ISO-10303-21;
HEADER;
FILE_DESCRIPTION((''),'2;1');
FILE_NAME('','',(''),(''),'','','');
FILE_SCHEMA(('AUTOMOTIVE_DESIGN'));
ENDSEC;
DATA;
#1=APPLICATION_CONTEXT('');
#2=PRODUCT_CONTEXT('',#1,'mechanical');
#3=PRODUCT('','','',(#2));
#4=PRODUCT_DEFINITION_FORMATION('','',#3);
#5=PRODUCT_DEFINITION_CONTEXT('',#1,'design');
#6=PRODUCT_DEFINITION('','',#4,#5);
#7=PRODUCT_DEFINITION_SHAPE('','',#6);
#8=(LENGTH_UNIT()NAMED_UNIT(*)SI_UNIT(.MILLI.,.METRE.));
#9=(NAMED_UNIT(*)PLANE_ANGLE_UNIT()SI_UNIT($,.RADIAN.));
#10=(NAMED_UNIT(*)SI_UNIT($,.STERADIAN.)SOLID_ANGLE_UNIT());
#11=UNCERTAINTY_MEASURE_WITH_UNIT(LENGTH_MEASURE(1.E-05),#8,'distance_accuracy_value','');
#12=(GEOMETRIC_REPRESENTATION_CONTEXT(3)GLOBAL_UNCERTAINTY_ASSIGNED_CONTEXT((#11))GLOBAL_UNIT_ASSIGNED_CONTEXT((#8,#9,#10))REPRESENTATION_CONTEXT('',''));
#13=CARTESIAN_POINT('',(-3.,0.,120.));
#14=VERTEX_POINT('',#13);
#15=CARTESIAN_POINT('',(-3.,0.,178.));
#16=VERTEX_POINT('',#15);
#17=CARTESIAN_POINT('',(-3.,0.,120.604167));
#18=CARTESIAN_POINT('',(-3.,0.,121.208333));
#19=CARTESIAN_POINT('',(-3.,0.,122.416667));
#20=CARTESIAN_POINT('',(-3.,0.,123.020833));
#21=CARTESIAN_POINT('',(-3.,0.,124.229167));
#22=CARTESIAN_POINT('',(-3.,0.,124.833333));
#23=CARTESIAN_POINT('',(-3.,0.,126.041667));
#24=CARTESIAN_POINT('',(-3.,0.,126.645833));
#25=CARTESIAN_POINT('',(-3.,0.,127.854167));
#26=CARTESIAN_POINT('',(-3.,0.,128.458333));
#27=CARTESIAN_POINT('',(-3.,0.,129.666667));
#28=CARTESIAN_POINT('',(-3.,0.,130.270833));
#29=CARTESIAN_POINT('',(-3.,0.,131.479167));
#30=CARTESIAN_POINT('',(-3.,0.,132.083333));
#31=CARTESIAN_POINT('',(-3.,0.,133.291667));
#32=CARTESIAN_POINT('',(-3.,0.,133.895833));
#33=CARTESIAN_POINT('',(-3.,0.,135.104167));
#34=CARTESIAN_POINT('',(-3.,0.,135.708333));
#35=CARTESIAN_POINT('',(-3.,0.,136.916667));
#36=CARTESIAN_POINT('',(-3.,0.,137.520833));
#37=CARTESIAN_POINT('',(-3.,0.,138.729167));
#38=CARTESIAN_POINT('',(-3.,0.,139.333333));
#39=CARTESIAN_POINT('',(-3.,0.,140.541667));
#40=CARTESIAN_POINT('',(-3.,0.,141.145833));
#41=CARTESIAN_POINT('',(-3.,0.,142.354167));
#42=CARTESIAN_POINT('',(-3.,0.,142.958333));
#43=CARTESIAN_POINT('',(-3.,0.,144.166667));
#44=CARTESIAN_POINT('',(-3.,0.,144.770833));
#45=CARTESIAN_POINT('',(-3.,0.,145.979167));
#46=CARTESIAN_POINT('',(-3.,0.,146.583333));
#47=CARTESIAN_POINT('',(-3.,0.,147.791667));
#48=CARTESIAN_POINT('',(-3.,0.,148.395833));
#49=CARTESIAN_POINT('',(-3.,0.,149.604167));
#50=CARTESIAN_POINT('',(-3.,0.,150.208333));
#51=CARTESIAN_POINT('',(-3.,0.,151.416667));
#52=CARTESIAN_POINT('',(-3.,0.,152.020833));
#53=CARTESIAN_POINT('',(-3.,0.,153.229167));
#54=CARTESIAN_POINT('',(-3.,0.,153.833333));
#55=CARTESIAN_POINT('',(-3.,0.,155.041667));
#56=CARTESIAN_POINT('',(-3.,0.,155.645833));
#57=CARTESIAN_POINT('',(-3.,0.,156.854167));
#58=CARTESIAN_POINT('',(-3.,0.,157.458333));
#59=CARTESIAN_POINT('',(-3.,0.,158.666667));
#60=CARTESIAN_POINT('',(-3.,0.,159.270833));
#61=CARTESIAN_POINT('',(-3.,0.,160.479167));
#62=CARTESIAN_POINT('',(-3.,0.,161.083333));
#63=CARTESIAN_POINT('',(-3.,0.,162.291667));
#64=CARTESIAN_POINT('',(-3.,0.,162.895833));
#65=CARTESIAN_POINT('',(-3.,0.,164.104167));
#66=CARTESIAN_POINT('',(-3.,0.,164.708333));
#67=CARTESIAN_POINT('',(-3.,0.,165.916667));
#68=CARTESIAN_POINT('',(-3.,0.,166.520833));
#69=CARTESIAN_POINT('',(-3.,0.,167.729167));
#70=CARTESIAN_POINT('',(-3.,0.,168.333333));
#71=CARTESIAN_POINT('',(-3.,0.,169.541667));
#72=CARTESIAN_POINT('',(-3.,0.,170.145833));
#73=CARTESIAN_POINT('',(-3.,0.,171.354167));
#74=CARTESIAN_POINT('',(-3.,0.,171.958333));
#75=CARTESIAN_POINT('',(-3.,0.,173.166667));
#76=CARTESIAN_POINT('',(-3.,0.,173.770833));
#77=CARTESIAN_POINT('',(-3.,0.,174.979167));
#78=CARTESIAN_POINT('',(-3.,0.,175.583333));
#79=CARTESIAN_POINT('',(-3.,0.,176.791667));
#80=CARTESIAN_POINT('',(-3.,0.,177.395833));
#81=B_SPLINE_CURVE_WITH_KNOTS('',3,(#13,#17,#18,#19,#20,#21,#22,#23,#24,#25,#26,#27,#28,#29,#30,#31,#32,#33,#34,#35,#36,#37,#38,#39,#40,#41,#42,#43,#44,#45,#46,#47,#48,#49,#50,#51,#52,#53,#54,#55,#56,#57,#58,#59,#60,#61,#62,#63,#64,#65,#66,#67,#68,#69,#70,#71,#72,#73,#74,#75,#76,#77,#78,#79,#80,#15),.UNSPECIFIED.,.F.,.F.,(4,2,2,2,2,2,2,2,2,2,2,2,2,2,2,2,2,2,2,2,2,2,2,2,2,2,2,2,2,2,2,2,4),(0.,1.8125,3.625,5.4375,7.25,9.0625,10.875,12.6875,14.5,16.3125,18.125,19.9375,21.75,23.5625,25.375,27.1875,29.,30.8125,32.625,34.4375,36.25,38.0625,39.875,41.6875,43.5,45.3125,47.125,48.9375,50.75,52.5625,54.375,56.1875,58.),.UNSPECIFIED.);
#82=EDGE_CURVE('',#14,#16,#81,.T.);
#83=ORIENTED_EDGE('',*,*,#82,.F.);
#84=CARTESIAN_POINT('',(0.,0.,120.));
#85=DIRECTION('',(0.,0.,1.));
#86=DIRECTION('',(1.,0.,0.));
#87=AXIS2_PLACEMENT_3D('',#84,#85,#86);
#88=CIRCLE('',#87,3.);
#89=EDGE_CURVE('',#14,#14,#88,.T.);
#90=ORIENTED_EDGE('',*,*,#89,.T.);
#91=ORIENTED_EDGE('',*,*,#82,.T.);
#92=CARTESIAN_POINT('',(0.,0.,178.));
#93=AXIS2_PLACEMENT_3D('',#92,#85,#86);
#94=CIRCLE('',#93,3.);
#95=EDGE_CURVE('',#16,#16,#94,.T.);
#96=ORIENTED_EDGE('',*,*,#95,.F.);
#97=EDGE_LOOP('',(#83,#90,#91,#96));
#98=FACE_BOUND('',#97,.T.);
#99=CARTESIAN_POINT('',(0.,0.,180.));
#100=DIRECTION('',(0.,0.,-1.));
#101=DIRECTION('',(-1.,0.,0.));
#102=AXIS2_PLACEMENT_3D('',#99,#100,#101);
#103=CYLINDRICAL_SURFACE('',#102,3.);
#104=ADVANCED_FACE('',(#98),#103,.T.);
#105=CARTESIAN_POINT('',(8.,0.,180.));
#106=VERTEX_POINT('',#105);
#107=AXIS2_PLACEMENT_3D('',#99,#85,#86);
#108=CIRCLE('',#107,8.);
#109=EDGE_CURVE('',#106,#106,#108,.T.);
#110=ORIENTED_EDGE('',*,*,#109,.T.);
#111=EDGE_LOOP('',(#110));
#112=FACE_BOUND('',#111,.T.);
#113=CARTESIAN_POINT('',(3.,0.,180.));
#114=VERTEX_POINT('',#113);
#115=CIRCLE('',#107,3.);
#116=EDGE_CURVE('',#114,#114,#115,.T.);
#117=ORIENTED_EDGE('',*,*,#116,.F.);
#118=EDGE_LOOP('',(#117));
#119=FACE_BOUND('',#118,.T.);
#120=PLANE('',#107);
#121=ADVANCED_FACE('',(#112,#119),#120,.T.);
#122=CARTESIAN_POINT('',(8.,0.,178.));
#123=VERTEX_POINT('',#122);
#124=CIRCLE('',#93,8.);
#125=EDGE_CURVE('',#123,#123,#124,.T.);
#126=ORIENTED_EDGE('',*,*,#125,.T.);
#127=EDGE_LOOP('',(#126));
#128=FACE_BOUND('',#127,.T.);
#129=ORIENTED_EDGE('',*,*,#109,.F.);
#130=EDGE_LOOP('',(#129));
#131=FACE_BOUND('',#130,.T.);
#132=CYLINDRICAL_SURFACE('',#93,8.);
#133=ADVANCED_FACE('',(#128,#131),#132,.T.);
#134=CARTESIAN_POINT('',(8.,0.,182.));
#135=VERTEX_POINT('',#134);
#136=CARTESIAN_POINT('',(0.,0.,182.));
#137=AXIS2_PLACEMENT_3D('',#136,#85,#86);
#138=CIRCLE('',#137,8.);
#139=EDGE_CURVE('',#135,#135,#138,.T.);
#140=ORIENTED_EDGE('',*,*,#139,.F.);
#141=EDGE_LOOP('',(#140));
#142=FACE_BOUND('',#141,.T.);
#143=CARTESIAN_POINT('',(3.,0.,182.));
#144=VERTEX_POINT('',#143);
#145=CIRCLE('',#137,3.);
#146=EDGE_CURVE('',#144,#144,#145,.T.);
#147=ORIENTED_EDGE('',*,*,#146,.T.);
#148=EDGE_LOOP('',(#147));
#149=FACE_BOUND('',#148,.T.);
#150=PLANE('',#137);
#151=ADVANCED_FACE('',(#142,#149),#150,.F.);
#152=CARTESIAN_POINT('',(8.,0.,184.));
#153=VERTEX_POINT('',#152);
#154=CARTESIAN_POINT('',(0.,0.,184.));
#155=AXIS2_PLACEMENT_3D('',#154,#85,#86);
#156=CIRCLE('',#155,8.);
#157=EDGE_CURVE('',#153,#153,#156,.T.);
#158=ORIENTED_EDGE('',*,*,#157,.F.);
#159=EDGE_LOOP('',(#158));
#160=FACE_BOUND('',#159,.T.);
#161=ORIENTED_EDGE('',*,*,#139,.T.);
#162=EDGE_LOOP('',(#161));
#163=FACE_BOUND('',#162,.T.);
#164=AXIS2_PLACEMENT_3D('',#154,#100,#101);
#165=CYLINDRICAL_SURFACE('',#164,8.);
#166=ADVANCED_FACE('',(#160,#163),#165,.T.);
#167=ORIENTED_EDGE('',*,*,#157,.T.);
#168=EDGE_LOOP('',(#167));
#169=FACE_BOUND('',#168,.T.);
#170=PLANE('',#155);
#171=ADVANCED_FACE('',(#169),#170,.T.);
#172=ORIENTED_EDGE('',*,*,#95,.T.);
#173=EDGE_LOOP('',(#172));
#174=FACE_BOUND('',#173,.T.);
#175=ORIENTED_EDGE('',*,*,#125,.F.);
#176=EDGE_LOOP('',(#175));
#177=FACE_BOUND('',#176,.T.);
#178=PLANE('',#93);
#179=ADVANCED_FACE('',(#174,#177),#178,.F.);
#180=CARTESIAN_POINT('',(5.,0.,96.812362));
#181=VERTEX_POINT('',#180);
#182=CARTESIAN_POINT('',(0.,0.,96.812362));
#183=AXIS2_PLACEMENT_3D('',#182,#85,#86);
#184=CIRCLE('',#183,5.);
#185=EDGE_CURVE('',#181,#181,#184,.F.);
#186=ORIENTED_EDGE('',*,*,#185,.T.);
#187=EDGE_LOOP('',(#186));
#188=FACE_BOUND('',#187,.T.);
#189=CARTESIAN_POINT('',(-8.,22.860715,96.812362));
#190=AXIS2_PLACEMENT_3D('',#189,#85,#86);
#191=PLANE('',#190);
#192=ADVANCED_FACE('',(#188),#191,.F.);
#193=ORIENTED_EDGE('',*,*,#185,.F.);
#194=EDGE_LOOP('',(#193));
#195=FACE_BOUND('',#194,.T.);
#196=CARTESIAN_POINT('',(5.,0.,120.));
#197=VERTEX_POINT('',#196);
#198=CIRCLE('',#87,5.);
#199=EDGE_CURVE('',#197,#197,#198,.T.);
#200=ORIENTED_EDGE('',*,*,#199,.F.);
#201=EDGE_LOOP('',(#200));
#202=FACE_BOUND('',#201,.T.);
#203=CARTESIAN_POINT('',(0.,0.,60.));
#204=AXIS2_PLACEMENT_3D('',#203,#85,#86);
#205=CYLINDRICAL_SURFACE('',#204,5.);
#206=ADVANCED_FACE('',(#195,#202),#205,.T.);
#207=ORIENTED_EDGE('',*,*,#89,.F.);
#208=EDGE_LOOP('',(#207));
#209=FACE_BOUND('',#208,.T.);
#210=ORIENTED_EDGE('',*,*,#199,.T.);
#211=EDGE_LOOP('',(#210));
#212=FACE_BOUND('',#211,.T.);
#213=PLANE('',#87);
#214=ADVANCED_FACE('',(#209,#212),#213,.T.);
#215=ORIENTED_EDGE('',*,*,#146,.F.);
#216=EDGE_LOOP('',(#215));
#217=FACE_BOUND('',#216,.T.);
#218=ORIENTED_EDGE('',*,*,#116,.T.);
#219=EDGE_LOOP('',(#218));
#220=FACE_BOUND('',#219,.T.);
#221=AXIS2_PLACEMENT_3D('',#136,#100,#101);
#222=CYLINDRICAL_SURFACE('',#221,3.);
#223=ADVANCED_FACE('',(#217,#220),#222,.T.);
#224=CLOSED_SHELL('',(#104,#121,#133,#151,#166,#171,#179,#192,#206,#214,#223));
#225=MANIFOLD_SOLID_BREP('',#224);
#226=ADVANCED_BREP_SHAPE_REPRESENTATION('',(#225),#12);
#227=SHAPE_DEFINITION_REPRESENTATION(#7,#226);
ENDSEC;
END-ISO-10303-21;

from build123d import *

# Parameters (mm, degrees)
SKETCH_1_R               = 3
EXTRUDE_1_DEPTH          = 180
SKETCH_2_R               = 8
EXTRUDE_2_DEPTH          = 2
EXTRUDE_START            = -178
SKETCH_2_2_R             = 8
EXTRUDE_3_DEPTH          = 2
EXTRUDE_START_2          = -2
SKETCH_1_2_R             = 3
EXTRUDE_4_DEPTH          = 2
EXTRUDE_START_3          = 180
SKETCH_1_3_R             = 3
EXTRUDE_5_DEPTH          = 2
EXTRUDE_START_4          = 4
SKETCH_2_3_R             = 8
EXTRUDE_6_DEPTH          = 2
EXTRUDE_START_5          = -182
SKETCH_2_4_R             = 8
EXTRUDE_7_DEPTH          = 2
EXTRUDE_START_6          = -64
SKETCH_3_R               = 5
EXTRUDE_10_DEPTH         = 60
CUT_EXTRUDE_1_DEPTH      = 185.347497949
CUT_EXTRUDE_1_DEPTH_BACK = 185.347497949
SKETCH_4_W               = 115.941163498
SKETCH_4_H               = 45.19740272


with BuildPart() as part:
    # 草图1 → 凸台-拉伸1 (new body)
    with BuildSketch(Plane.XY):
        with Locations(Location((0, 0, 0), (0, 0, 180))):
            Circle(SKETCH_1_R)
    extrude(amount=EXTRUDE_1_DEPTH)

    # 草图2 → 凸台-拉伸2 (add)
    with BuildSketch(Plane.XY.offset(180)):
        Circle(SKETCH_2_R)
    extrude(amount=-EXTRUDE_2_DEPTH)

    # 草图2<2> → 凸台-拉伸3 (add)
    with BuildSketch(Plane.XY.offset(180).offset(EXTRUDE_START)):
        Circle(SKETCH_2_2_R)
    extrude(amount=-EXTRUDE_3_DEPTH)

    # 草图1<2> → 凸台-拉伸4 (add)
    with BuildSketch(Plane.XY.offset(EXTRUDE_START_2)):
        with Locations(Location((0, 0, 0), (0, 0, 180))):
            Circle(SKETCH_1_2_R)
    extrude(amount=EXTRUDE_4_DEPTH)

    # 草图1<3> → 凸台-拉伸5 (add)
    with BuildSketch(Plane.XY.offset(EXTRUDE_START_3)):
        with Locations(Location((0, 0, 0), (0, 0, 180))):
            Circle(SKETCH_1_3_R)
    extrude(amount=EXTRUDE_5_DEPTH)

    # 草图2<3> → 凸台-拉伸6 (add)
    with BuildSketch(Plane.XY.offset(180).offset(EXTRUDE_START_4)):
        Circle(SKETCH_2_3_R)
    extrude(amount=-EXTRUDE_6_DEPTH)

    # 草图2<4> → 凸台-拉伸7 (add)
    with BuildSketch(Plane.XY.offset(180).offset(EXTRUDE_START_5)):
        Circle(SKETCH_2_4_R)
    extrude(amount=-EXTRUDE_7_DEPTH)

    # 草图3 → 凸台-拉伸10 (add)
    with BuildSketch(Plane.XY.offset(184).offset(EXTRUDE_START_6)):
        Circle(SKETCH_3_R)
    extrude(amount=-EXTRUDE_10_DEPTH)

    # 草图4 → 切除-拉伸1 (cut, two sides: drawn at the far end of the back side and taken through both)
    with BuildSketch(Plane(origin=(0, 0, 0), x_dir=(0, 0, -1), z_dir=(1, 0, 0)).offset(-CUT_EXTRUDE_1_DEPTH_BACK)):
        with Locations((-38.8417804, 0.262013929)):
            Rectangle(SKETCH_4_W, SKETCH_4_H)
    extrude(amount=CUT_EXTRUDE_1_DEPTH + CUT_EXTRUDE_1_DEPTH_BACK, mode=Mode.SUBTRACT)


solid = part.part
